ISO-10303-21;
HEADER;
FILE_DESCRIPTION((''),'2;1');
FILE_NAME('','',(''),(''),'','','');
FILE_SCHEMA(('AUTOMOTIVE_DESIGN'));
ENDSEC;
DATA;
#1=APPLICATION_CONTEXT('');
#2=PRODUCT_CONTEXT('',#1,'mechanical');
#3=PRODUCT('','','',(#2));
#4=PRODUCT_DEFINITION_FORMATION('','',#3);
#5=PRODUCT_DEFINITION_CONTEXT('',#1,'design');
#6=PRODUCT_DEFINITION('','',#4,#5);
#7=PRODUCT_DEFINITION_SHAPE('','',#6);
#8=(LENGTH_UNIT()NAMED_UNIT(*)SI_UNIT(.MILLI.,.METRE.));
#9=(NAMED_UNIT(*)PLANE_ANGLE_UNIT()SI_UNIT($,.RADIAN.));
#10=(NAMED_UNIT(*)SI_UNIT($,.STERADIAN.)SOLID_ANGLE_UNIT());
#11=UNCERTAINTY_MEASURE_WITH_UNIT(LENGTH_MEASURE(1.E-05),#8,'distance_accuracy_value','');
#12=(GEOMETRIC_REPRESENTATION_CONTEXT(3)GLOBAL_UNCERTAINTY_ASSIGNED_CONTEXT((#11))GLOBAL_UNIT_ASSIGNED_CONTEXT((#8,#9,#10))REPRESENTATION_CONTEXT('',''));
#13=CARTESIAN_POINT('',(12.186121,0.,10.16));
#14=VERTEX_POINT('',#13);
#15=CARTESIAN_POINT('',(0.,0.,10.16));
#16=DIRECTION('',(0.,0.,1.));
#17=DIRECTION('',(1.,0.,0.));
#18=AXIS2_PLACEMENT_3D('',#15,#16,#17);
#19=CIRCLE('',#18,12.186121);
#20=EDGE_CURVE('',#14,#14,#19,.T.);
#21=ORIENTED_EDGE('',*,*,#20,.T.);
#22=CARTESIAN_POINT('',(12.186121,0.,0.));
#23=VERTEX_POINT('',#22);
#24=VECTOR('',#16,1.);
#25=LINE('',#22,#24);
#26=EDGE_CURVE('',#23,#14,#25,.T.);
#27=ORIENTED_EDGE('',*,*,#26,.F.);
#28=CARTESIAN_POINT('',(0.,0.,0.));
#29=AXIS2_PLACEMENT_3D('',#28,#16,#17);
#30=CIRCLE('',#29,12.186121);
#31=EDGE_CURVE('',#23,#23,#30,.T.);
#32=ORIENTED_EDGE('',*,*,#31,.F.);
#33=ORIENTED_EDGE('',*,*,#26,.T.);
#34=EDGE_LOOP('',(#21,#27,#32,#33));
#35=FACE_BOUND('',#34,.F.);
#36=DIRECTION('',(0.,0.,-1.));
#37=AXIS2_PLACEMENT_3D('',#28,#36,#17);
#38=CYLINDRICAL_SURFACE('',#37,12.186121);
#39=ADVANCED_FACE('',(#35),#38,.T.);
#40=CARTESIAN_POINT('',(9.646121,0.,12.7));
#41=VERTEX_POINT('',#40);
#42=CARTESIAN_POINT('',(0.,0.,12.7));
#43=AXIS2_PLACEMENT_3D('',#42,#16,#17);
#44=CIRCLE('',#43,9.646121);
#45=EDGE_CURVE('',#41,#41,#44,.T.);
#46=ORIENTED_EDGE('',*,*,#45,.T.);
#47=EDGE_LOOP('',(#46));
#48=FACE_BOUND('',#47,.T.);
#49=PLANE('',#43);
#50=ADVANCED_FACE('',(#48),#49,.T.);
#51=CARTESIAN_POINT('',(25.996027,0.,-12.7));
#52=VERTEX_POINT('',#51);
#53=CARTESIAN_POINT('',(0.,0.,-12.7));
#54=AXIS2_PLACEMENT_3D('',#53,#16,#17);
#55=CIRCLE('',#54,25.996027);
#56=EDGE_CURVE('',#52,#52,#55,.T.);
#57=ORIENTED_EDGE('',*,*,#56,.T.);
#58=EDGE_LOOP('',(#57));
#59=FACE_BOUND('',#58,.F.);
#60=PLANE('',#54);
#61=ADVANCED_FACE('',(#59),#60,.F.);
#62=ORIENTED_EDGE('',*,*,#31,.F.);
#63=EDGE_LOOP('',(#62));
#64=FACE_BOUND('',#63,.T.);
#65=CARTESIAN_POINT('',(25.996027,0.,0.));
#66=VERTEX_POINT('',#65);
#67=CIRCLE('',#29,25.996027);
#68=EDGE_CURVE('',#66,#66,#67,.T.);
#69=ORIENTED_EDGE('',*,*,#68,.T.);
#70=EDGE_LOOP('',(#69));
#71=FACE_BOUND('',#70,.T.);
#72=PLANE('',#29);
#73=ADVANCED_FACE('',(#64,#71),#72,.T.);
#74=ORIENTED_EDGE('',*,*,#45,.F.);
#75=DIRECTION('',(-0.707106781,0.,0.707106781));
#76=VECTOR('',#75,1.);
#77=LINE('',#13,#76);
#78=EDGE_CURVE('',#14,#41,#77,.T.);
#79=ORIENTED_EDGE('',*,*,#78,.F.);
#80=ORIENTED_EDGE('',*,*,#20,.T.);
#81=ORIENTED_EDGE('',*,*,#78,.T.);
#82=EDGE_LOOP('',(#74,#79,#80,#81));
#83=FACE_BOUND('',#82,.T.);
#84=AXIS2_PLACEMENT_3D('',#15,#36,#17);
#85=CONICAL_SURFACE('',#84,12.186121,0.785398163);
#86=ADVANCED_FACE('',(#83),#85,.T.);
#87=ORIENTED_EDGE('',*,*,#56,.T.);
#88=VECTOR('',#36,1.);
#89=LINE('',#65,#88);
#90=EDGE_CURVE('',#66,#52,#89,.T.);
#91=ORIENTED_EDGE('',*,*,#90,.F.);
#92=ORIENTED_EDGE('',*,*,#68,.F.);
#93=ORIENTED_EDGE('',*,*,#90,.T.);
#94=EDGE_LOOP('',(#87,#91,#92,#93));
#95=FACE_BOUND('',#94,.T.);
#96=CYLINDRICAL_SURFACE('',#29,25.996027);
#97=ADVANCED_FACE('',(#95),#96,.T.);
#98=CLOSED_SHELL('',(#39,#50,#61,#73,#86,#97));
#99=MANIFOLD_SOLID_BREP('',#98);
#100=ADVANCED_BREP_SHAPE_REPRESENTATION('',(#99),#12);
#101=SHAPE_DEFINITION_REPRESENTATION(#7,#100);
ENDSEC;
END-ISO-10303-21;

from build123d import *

# Parameters (mm, degrees)
F0_R     = 25.996027
F1_DEPTH = 12.7
F2_R     = 12.186121
F3_DEPTH = 12.7
F4_SIZE  = 2.54


with BuildPart() as f1:
    # F0 (on Top) → F1 (new body)
    with BuildSketch(Plane.XY):
        Circle(F0_R)
    extrude(amount=-F1_DEPTH)

    # F2 (on face) → F3 (join)
    with BuildSketch(Plane.XY):
        Circle(F2_R)
    extrude(amount=F3_DEPTH)

    # F4
    f4_edges = [f1.edges().sort_by_distance(p)[0] for p in [
        (-12.186121, 0, 12.7),
    ]]
    chamfer(f4_edges, length=F4_SIZE)


solid = f1.part
